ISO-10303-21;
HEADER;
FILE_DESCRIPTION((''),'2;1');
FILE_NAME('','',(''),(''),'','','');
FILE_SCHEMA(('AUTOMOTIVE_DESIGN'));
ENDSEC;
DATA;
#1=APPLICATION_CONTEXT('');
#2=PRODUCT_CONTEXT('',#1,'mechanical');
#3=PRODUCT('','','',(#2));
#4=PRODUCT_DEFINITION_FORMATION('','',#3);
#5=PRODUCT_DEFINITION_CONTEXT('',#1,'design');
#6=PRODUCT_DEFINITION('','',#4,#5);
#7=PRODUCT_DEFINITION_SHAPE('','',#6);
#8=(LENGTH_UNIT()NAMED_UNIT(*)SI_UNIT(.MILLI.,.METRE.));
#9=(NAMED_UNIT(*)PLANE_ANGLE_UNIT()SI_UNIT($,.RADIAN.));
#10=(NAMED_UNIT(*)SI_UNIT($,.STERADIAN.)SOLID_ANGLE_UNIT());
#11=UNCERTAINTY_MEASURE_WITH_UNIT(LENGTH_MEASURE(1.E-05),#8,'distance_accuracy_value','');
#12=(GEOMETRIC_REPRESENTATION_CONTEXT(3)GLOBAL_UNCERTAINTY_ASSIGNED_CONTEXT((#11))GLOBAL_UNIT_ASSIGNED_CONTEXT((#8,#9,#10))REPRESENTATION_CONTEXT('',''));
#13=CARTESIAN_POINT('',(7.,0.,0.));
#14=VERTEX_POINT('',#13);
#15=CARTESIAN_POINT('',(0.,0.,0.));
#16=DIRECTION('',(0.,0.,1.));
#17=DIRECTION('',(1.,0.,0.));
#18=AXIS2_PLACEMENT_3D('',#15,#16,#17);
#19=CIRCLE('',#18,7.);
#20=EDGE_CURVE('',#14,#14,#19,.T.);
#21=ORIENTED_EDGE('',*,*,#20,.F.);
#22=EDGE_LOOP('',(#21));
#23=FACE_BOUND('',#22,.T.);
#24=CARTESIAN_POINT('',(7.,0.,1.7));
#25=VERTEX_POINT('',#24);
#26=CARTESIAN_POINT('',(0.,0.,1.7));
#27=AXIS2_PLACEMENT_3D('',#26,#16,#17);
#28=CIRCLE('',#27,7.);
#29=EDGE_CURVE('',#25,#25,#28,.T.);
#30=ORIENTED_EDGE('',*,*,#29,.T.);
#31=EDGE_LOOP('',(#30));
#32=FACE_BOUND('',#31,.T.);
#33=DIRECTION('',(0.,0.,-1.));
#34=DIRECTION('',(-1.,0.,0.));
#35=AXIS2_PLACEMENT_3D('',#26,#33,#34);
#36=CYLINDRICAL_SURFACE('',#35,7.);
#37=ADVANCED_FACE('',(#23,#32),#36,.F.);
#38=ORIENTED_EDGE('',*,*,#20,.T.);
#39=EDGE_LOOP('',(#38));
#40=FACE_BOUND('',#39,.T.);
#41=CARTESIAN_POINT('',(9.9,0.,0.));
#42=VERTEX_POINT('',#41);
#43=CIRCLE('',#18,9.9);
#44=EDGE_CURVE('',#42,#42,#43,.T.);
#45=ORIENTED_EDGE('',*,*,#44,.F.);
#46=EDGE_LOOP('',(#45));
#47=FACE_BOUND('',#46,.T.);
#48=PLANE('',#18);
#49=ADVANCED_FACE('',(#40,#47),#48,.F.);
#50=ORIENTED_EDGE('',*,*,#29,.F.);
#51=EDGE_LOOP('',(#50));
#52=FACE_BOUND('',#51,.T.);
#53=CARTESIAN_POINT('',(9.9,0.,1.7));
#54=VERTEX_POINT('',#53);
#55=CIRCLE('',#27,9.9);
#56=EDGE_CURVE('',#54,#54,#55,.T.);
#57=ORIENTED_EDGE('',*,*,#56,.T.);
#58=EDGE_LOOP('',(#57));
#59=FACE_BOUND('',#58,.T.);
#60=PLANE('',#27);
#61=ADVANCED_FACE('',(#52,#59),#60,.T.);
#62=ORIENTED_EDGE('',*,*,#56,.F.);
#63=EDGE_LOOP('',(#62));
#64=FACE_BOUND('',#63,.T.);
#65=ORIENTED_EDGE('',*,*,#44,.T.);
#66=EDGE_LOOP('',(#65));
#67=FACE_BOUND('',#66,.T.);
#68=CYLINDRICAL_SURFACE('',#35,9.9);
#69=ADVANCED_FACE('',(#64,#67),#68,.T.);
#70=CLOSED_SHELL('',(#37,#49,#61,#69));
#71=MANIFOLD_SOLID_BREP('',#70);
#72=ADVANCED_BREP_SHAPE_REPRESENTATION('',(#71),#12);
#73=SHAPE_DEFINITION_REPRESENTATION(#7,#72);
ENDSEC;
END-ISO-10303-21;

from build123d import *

# Parameters (mm, degrees)
ESQUISSE1_R          = 9.9
ESQUISSE1_R_2        = 7
BASE_EXTRUSION_DEPTH = 1.7


with BuildPart() as part:
    # Esquisse1 → Base-Extrusion (new body)
    with BuildSketch(Plane.XY):
        Circle(ESQUISSE1_R)
        Circle(ESQUISSE1_R_2, mode=Mode.SUBTRACT)
    extrude(amount=BASE_EXTRUSION_DEPTH)


solid = part.part
